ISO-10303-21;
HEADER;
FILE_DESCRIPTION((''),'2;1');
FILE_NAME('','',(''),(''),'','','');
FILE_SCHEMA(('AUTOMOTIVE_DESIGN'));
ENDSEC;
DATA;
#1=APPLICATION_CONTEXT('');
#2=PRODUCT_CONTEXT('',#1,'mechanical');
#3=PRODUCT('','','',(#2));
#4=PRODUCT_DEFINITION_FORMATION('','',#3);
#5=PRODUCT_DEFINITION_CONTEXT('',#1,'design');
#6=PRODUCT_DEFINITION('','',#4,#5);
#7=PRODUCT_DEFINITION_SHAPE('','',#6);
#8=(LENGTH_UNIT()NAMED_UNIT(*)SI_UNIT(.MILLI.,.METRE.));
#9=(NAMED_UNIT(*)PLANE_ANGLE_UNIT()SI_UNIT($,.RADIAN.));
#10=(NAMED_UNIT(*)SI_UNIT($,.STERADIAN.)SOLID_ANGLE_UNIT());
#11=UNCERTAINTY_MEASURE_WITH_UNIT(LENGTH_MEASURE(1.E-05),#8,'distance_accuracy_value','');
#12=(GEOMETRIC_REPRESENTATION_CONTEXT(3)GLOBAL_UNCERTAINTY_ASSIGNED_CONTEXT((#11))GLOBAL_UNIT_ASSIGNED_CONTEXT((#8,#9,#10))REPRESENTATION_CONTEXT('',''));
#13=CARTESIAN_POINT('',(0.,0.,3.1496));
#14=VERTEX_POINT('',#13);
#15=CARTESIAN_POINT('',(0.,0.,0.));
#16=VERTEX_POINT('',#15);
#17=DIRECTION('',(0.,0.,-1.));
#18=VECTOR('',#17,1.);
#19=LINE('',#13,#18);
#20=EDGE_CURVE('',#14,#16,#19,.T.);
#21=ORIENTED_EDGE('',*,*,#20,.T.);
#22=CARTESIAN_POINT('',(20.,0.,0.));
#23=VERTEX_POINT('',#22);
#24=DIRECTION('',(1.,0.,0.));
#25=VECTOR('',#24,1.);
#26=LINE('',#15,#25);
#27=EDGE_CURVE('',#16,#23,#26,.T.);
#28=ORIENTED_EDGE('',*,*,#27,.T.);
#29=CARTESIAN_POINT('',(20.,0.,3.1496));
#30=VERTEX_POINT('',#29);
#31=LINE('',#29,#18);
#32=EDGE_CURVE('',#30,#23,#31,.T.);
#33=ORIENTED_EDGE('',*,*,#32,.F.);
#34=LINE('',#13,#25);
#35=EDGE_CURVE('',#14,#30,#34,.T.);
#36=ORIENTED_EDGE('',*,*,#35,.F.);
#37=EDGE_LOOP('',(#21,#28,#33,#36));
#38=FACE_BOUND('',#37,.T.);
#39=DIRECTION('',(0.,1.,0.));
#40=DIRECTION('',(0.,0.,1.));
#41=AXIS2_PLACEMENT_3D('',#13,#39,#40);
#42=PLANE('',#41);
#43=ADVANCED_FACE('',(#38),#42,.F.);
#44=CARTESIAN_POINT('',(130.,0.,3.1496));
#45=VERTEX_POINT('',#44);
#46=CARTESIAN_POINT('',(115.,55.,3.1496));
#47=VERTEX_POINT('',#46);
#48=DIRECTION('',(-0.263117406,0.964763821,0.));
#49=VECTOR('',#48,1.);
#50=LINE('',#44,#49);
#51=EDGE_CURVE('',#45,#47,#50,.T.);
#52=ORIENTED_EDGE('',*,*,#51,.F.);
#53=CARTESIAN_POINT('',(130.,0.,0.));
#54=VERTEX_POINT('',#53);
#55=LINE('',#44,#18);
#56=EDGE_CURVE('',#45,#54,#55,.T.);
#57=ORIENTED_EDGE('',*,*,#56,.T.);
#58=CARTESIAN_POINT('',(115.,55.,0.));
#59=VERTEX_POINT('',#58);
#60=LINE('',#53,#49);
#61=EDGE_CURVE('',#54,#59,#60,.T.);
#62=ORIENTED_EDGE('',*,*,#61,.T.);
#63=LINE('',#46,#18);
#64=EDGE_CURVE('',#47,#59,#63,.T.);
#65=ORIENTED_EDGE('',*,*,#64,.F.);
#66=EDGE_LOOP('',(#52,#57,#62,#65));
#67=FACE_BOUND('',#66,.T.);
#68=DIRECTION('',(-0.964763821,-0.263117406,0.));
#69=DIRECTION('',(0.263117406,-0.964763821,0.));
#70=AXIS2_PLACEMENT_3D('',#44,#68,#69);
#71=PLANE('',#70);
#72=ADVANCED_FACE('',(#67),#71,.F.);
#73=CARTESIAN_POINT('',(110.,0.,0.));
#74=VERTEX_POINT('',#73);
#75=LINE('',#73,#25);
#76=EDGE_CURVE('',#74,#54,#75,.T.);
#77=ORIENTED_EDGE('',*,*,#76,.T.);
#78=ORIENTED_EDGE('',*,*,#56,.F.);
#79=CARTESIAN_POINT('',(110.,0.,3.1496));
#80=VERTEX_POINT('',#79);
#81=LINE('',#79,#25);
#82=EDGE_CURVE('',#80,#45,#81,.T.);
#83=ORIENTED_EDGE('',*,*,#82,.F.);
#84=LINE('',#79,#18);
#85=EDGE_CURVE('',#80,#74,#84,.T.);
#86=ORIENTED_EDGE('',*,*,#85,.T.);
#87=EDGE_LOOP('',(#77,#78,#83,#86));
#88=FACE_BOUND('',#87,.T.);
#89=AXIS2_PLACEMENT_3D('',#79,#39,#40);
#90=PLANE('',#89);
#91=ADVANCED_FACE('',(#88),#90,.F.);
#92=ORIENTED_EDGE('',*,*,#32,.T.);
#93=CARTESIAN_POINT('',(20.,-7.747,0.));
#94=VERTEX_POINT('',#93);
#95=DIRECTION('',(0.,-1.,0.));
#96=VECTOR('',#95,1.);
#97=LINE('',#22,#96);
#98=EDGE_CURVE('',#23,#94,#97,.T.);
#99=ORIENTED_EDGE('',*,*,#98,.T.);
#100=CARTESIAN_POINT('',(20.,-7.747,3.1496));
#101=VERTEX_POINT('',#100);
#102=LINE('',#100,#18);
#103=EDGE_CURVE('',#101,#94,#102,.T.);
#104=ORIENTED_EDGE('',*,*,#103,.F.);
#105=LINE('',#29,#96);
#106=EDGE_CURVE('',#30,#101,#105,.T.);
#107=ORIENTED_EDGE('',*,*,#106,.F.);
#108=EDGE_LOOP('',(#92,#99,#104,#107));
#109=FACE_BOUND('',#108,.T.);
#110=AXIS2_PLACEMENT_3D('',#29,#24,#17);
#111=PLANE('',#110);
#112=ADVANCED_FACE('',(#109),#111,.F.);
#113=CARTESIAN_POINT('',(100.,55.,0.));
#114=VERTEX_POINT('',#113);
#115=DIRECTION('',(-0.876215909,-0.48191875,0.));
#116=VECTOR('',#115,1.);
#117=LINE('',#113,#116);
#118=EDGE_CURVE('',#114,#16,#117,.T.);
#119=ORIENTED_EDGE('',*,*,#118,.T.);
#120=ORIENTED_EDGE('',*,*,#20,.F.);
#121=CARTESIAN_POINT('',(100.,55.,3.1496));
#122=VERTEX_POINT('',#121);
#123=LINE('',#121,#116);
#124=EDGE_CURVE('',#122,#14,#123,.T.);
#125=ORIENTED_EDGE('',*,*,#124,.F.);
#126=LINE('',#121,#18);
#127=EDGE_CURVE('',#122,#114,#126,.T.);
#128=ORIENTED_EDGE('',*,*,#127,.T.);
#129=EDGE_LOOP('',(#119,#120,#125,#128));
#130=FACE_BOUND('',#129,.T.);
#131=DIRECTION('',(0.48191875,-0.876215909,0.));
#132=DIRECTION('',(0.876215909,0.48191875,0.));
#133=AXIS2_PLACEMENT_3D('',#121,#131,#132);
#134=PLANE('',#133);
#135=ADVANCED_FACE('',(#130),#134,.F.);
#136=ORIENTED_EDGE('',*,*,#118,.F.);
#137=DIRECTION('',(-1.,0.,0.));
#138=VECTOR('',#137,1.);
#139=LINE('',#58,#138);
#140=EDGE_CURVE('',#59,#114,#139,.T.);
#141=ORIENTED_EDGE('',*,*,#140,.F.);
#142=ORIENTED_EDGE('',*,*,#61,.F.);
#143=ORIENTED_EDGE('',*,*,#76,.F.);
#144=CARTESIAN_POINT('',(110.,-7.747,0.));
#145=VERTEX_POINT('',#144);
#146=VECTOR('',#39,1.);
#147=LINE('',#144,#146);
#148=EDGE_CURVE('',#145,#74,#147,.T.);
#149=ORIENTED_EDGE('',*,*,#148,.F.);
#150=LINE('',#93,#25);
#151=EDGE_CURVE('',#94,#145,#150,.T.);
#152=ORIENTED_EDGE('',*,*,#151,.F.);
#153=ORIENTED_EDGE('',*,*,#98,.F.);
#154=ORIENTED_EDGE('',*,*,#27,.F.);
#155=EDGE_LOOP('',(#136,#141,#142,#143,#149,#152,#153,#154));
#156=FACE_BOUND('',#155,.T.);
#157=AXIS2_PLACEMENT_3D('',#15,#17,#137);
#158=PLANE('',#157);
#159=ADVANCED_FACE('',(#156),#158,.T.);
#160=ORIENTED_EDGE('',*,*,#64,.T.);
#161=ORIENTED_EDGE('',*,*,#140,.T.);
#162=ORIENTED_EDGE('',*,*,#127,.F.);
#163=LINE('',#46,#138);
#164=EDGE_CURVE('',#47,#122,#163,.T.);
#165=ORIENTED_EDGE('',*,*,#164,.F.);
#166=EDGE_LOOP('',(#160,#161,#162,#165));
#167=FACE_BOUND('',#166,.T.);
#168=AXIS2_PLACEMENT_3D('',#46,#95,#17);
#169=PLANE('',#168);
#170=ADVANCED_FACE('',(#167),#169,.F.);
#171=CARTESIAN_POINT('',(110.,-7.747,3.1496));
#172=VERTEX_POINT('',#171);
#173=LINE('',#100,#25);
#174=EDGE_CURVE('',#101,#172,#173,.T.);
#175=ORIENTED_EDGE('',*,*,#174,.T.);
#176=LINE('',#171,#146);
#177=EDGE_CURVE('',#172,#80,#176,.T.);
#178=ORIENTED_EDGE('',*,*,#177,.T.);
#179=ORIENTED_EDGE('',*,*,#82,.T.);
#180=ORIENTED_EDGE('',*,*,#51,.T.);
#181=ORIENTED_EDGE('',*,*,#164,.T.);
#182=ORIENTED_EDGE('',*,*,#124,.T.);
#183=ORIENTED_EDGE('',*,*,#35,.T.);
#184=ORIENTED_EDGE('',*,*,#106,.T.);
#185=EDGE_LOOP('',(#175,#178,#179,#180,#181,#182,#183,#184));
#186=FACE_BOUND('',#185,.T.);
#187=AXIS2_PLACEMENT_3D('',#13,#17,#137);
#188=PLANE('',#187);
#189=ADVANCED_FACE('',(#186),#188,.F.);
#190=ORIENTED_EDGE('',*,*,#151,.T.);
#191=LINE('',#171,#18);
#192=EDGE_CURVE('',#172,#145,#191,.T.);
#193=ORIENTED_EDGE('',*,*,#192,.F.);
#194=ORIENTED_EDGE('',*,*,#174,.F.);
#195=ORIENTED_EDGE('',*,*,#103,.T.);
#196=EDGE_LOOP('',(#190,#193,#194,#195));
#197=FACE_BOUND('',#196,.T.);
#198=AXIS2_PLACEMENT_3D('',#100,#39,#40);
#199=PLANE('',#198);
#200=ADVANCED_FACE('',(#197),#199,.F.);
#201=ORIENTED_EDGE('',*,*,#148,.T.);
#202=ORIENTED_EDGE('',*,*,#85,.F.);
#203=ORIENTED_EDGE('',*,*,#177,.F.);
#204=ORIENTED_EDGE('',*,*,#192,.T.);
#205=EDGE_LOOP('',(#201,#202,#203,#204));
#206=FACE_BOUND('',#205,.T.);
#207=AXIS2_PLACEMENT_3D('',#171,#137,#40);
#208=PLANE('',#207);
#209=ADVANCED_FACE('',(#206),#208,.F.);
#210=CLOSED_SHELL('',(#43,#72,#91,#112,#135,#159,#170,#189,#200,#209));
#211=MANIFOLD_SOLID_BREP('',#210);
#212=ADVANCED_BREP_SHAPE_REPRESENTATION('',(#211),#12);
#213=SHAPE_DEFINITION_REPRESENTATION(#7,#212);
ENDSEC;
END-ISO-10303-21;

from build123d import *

# Parameters (mm, degrees)
BOSS_EXTRUDE1_DEPTH = 3.1496


with BuildPart() as part:
    # Sketch1 → Boss-Extrude1 (new body)
    with BuildSketch(Plane.XY):
        Polygon((0, 0), (20, 0), (20, -7.747), (110, -7.747), (110, 0), (130, 0), (115, 55), (100, 55), align=None)
    extrude(amount=BOSS_EXTRUDE1_DEPTH)


solid = part.part
